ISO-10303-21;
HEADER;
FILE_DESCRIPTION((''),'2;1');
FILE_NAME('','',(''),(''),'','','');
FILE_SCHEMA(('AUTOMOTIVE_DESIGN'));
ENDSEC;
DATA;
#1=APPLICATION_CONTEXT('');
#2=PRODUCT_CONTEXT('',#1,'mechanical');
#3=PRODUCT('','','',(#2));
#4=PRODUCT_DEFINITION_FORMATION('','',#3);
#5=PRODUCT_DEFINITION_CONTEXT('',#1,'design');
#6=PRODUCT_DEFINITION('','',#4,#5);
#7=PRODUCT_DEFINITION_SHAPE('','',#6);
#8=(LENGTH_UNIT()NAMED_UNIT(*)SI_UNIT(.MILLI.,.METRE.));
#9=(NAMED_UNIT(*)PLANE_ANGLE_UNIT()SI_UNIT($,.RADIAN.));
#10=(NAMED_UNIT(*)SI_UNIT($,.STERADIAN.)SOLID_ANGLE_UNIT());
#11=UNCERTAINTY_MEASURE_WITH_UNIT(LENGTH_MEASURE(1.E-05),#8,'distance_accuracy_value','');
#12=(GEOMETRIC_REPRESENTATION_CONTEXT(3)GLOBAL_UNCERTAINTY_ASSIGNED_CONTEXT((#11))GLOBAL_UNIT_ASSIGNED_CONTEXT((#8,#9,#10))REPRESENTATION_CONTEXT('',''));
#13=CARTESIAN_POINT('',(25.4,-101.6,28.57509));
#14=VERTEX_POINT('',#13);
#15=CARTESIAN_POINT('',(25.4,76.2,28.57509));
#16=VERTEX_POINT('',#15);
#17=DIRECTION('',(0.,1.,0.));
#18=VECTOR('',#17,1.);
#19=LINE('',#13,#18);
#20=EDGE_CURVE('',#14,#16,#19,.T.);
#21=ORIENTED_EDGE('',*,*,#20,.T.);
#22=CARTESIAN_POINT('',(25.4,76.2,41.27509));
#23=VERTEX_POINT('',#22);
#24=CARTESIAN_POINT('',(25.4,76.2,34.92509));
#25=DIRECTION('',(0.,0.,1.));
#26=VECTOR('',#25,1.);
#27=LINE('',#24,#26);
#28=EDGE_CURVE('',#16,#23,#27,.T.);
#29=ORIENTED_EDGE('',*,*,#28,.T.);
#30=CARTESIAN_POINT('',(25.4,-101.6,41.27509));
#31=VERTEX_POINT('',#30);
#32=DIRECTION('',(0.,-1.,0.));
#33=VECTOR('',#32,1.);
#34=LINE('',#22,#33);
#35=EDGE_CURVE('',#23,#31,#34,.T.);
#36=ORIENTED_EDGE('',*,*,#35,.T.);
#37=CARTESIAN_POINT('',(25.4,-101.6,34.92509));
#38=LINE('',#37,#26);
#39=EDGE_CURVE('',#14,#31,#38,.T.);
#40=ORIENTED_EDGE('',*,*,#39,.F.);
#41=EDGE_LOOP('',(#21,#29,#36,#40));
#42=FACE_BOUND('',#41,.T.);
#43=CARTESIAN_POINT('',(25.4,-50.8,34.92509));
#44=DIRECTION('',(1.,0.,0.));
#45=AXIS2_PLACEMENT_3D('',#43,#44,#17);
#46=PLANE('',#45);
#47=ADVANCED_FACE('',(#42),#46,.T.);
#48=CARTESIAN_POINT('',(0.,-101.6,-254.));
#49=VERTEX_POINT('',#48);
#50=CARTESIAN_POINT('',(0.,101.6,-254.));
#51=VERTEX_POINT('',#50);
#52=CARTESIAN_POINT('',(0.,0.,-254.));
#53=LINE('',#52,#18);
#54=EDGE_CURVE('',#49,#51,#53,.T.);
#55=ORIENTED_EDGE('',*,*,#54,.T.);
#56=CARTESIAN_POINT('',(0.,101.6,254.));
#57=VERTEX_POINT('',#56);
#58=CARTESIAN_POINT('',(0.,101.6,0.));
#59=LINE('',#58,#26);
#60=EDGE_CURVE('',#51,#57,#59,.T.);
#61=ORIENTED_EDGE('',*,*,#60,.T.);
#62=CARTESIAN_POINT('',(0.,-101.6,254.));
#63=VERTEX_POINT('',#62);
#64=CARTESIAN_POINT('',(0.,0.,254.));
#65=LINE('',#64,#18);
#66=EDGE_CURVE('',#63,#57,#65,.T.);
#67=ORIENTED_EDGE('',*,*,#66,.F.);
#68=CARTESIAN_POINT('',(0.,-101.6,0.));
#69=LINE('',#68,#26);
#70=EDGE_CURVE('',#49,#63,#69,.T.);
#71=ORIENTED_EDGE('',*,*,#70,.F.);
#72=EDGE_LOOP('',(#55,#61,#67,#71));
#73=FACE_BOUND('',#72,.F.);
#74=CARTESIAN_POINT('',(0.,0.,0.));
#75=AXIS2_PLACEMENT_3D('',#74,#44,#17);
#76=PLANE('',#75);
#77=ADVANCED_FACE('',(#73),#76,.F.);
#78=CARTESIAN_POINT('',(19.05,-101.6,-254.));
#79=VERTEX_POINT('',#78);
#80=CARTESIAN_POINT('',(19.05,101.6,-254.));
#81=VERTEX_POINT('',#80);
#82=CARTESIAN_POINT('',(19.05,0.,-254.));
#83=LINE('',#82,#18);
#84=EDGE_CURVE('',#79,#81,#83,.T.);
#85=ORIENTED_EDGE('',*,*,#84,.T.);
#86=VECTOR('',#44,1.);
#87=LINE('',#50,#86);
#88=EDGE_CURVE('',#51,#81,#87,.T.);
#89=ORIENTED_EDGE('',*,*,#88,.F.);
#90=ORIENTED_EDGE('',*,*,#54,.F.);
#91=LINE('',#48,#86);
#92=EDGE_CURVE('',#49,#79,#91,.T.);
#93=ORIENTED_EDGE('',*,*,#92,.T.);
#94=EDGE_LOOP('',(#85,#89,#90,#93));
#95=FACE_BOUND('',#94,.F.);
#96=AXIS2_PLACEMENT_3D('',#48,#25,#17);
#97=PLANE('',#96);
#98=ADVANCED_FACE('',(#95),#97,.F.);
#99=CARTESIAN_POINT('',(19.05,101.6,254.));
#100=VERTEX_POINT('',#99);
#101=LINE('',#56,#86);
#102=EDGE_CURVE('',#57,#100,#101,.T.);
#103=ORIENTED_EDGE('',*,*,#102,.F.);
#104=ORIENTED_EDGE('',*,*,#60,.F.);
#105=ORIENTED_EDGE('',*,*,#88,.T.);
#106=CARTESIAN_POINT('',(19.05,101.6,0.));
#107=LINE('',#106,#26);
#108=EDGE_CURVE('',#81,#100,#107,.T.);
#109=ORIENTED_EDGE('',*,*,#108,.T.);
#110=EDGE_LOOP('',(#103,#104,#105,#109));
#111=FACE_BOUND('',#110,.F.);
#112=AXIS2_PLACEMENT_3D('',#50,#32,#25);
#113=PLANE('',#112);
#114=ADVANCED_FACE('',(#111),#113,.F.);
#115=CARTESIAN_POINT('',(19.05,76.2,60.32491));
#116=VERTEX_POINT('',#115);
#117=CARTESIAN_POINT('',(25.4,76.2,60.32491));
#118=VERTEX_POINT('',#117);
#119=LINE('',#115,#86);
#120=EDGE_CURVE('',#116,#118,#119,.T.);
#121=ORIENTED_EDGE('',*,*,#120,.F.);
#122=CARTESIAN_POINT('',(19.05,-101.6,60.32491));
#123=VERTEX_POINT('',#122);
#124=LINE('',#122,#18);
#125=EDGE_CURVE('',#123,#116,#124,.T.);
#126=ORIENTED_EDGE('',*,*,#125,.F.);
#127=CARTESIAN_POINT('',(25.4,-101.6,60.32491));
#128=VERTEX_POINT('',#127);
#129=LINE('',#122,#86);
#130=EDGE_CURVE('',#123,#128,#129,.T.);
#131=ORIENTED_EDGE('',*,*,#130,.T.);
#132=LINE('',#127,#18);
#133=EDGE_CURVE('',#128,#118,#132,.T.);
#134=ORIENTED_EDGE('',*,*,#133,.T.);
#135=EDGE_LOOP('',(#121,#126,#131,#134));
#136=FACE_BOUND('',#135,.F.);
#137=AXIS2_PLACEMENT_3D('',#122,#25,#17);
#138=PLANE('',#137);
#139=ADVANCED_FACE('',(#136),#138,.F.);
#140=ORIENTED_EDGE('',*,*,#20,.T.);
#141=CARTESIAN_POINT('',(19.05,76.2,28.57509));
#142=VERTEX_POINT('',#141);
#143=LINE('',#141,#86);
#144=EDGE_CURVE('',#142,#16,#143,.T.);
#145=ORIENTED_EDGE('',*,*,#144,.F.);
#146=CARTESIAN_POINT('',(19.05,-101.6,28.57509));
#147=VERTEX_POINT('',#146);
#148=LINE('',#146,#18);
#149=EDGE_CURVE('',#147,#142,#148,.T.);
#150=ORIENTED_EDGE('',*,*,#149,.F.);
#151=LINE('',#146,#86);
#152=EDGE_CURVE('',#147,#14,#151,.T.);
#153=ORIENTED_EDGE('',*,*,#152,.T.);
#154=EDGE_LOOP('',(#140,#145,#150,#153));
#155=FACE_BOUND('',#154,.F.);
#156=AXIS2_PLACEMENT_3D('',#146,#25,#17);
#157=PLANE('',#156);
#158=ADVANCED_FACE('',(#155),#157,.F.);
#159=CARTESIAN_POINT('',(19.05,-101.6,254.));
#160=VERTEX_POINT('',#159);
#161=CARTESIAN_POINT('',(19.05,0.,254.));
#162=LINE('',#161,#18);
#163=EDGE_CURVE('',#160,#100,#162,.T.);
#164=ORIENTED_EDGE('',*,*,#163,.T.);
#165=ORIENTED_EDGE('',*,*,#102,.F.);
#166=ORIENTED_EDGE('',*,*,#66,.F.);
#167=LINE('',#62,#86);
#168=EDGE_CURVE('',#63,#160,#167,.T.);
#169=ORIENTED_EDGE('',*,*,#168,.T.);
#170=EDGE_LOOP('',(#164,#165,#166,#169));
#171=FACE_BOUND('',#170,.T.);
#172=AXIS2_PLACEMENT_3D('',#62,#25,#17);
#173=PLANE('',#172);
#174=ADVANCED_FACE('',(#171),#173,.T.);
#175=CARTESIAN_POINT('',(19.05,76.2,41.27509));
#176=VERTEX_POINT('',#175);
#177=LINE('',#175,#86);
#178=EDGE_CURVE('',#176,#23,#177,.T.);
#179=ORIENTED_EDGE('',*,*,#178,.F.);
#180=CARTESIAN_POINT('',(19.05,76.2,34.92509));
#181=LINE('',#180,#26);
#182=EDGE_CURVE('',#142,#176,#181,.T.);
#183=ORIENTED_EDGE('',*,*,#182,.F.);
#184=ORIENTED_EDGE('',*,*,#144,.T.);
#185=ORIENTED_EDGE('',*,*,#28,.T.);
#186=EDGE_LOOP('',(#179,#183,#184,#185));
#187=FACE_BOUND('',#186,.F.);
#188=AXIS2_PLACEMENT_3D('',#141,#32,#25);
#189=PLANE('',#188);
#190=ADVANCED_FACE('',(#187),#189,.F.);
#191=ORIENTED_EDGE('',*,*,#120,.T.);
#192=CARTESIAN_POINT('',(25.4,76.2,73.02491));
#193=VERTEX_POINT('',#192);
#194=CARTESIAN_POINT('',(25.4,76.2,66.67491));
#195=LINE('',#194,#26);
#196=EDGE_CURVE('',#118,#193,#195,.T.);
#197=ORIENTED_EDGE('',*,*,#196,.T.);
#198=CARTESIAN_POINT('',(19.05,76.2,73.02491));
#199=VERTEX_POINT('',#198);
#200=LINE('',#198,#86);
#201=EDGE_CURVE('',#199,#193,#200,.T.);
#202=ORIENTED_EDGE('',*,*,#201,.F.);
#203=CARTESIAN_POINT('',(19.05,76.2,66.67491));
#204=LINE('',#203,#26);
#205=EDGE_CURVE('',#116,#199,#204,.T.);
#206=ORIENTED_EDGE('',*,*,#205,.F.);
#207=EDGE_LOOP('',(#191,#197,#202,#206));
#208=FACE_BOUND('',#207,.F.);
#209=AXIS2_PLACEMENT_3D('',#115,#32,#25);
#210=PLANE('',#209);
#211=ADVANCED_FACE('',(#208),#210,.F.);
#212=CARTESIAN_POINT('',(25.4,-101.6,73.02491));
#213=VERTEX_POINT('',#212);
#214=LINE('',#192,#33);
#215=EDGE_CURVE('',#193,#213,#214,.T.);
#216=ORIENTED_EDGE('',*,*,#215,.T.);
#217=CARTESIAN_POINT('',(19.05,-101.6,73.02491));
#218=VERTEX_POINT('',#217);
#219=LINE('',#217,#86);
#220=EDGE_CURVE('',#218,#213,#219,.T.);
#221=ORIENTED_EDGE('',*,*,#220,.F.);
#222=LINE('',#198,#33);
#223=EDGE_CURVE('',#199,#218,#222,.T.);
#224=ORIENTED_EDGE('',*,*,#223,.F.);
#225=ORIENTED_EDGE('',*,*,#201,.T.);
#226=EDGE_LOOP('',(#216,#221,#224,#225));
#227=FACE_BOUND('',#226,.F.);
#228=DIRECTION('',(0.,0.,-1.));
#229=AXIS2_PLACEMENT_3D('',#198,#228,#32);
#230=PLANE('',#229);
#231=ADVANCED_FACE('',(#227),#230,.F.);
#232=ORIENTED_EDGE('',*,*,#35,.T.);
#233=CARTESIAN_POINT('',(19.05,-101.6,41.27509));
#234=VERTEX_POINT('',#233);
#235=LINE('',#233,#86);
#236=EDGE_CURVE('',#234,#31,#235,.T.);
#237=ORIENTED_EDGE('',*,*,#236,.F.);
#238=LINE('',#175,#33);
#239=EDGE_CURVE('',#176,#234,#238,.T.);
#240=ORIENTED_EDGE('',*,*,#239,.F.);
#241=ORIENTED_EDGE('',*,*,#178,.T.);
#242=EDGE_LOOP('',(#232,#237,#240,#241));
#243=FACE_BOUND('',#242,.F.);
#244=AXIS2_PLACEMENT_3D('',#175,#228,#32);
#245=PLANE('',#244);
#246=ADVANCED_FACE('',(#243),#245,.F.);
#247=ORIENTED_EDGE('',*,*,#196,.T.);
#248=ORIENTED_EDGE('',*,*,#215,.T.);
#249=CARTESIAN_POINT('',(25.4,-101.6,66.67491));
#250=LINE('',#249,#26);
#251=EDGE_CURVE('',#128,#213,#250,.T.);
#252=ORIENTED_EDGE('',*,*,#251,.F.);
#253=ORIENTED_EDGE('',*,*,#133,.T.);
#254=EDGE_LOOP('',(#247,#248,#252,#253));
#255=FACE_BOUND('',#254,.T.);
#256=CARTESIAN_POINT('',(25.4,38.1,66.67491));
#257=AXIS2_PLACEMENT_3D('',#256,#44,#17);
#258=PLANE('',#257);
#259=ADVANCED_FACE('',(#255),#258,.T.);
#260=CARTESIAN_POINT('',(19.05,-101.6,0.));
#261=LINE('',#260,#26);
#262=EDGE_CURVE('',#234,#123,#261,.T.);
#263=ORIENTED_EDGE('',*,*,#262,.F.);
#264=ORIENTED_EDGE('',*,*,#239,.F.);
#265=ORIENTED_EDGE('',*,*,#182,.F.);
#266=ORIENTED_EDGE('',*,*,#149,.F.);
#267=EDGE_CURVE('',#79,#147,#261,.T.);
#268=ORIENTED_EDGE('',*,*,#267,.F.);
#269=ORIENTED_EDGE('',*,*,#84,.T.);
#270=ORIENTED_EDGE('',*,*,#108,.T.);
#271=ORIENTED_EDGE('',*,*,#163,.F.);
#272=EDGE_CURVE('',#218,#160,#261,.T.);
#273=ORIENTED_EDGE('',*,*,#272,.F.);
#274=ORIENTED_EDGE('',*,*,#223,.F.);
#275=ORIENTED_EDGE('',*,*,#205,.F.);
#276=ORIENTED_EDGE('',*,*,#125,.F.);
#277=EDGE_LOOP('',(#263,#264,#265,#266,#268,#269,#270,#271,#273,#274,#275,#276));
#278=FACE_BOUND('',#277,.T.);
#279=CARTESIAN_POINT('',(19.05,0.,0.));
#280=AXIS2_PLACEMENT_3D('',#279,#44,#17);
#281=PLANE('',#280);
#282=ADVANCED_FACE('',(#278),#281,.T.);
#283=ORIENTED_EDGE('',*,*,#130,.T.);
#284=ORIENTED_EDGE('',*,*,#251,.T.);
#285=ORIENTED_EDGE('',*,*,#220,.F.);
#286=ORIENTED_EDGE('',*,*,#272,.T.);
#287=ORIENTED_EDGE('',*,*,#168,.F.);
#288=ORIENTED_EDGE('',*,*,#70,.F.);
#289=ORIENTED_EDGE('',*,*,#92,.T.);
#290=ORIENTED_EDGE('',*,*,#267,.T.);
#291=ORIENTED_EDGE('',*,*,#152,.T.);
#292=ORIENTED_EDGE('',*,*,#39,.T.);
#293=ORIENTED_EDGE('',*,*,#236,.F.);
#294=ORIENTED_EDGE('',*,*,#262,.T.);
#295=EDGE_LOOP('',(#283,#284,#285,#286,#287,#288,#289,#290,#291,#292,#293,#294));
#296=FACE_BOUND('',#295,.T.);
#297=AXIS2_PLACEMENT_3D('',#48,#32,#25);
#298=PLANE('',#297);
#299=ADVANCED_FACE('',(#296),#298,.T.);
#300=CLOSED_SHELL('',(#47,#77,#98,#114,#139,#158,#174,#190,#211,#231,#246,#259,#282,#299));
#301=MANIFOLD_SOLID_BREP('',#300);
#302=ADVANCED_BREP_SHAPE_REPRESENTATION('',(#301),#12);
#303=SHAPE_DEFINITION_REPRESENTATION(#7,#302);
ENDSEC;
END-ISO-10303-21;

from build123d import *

# Parameters (mm, degrees)
F0_W     = 203.2
F0_H     = 508
F1_DEPTH = 19.05
F2_W     = 76.2
F2_H     = 12.7
F2_W_2   = 101.6
F3_DEPTH = 6.35


with BuildPart() as f1:
    # F0 (on Right) → F1 (new body)
    with BuildSketch(Plane.YZ):
        Rectangle(F0_W, F0_H)
    extrude(amount=F1_DEPTH)

    # F2 (on face) → F3 (join)
    with BuildSketch(Plane.YZ.offset(19.05)):
        with Locations((38.1, 66.6749097909)):
            Rectangle(F2_W, F2_H)
        with Locations((-50.8, 34.9250902091)):
            Rectangle(F2_W_2, F2_H)
        with Locations((38.1, 34.9250902091)):
            Rectangle(F2_W, F2_H)
        with Locations((-50.8, 66.6749097909)):
            Rectangle(F2_W_2, F2_H)
    extrude(amount=F3_DEPTH)


solid = f1.part
